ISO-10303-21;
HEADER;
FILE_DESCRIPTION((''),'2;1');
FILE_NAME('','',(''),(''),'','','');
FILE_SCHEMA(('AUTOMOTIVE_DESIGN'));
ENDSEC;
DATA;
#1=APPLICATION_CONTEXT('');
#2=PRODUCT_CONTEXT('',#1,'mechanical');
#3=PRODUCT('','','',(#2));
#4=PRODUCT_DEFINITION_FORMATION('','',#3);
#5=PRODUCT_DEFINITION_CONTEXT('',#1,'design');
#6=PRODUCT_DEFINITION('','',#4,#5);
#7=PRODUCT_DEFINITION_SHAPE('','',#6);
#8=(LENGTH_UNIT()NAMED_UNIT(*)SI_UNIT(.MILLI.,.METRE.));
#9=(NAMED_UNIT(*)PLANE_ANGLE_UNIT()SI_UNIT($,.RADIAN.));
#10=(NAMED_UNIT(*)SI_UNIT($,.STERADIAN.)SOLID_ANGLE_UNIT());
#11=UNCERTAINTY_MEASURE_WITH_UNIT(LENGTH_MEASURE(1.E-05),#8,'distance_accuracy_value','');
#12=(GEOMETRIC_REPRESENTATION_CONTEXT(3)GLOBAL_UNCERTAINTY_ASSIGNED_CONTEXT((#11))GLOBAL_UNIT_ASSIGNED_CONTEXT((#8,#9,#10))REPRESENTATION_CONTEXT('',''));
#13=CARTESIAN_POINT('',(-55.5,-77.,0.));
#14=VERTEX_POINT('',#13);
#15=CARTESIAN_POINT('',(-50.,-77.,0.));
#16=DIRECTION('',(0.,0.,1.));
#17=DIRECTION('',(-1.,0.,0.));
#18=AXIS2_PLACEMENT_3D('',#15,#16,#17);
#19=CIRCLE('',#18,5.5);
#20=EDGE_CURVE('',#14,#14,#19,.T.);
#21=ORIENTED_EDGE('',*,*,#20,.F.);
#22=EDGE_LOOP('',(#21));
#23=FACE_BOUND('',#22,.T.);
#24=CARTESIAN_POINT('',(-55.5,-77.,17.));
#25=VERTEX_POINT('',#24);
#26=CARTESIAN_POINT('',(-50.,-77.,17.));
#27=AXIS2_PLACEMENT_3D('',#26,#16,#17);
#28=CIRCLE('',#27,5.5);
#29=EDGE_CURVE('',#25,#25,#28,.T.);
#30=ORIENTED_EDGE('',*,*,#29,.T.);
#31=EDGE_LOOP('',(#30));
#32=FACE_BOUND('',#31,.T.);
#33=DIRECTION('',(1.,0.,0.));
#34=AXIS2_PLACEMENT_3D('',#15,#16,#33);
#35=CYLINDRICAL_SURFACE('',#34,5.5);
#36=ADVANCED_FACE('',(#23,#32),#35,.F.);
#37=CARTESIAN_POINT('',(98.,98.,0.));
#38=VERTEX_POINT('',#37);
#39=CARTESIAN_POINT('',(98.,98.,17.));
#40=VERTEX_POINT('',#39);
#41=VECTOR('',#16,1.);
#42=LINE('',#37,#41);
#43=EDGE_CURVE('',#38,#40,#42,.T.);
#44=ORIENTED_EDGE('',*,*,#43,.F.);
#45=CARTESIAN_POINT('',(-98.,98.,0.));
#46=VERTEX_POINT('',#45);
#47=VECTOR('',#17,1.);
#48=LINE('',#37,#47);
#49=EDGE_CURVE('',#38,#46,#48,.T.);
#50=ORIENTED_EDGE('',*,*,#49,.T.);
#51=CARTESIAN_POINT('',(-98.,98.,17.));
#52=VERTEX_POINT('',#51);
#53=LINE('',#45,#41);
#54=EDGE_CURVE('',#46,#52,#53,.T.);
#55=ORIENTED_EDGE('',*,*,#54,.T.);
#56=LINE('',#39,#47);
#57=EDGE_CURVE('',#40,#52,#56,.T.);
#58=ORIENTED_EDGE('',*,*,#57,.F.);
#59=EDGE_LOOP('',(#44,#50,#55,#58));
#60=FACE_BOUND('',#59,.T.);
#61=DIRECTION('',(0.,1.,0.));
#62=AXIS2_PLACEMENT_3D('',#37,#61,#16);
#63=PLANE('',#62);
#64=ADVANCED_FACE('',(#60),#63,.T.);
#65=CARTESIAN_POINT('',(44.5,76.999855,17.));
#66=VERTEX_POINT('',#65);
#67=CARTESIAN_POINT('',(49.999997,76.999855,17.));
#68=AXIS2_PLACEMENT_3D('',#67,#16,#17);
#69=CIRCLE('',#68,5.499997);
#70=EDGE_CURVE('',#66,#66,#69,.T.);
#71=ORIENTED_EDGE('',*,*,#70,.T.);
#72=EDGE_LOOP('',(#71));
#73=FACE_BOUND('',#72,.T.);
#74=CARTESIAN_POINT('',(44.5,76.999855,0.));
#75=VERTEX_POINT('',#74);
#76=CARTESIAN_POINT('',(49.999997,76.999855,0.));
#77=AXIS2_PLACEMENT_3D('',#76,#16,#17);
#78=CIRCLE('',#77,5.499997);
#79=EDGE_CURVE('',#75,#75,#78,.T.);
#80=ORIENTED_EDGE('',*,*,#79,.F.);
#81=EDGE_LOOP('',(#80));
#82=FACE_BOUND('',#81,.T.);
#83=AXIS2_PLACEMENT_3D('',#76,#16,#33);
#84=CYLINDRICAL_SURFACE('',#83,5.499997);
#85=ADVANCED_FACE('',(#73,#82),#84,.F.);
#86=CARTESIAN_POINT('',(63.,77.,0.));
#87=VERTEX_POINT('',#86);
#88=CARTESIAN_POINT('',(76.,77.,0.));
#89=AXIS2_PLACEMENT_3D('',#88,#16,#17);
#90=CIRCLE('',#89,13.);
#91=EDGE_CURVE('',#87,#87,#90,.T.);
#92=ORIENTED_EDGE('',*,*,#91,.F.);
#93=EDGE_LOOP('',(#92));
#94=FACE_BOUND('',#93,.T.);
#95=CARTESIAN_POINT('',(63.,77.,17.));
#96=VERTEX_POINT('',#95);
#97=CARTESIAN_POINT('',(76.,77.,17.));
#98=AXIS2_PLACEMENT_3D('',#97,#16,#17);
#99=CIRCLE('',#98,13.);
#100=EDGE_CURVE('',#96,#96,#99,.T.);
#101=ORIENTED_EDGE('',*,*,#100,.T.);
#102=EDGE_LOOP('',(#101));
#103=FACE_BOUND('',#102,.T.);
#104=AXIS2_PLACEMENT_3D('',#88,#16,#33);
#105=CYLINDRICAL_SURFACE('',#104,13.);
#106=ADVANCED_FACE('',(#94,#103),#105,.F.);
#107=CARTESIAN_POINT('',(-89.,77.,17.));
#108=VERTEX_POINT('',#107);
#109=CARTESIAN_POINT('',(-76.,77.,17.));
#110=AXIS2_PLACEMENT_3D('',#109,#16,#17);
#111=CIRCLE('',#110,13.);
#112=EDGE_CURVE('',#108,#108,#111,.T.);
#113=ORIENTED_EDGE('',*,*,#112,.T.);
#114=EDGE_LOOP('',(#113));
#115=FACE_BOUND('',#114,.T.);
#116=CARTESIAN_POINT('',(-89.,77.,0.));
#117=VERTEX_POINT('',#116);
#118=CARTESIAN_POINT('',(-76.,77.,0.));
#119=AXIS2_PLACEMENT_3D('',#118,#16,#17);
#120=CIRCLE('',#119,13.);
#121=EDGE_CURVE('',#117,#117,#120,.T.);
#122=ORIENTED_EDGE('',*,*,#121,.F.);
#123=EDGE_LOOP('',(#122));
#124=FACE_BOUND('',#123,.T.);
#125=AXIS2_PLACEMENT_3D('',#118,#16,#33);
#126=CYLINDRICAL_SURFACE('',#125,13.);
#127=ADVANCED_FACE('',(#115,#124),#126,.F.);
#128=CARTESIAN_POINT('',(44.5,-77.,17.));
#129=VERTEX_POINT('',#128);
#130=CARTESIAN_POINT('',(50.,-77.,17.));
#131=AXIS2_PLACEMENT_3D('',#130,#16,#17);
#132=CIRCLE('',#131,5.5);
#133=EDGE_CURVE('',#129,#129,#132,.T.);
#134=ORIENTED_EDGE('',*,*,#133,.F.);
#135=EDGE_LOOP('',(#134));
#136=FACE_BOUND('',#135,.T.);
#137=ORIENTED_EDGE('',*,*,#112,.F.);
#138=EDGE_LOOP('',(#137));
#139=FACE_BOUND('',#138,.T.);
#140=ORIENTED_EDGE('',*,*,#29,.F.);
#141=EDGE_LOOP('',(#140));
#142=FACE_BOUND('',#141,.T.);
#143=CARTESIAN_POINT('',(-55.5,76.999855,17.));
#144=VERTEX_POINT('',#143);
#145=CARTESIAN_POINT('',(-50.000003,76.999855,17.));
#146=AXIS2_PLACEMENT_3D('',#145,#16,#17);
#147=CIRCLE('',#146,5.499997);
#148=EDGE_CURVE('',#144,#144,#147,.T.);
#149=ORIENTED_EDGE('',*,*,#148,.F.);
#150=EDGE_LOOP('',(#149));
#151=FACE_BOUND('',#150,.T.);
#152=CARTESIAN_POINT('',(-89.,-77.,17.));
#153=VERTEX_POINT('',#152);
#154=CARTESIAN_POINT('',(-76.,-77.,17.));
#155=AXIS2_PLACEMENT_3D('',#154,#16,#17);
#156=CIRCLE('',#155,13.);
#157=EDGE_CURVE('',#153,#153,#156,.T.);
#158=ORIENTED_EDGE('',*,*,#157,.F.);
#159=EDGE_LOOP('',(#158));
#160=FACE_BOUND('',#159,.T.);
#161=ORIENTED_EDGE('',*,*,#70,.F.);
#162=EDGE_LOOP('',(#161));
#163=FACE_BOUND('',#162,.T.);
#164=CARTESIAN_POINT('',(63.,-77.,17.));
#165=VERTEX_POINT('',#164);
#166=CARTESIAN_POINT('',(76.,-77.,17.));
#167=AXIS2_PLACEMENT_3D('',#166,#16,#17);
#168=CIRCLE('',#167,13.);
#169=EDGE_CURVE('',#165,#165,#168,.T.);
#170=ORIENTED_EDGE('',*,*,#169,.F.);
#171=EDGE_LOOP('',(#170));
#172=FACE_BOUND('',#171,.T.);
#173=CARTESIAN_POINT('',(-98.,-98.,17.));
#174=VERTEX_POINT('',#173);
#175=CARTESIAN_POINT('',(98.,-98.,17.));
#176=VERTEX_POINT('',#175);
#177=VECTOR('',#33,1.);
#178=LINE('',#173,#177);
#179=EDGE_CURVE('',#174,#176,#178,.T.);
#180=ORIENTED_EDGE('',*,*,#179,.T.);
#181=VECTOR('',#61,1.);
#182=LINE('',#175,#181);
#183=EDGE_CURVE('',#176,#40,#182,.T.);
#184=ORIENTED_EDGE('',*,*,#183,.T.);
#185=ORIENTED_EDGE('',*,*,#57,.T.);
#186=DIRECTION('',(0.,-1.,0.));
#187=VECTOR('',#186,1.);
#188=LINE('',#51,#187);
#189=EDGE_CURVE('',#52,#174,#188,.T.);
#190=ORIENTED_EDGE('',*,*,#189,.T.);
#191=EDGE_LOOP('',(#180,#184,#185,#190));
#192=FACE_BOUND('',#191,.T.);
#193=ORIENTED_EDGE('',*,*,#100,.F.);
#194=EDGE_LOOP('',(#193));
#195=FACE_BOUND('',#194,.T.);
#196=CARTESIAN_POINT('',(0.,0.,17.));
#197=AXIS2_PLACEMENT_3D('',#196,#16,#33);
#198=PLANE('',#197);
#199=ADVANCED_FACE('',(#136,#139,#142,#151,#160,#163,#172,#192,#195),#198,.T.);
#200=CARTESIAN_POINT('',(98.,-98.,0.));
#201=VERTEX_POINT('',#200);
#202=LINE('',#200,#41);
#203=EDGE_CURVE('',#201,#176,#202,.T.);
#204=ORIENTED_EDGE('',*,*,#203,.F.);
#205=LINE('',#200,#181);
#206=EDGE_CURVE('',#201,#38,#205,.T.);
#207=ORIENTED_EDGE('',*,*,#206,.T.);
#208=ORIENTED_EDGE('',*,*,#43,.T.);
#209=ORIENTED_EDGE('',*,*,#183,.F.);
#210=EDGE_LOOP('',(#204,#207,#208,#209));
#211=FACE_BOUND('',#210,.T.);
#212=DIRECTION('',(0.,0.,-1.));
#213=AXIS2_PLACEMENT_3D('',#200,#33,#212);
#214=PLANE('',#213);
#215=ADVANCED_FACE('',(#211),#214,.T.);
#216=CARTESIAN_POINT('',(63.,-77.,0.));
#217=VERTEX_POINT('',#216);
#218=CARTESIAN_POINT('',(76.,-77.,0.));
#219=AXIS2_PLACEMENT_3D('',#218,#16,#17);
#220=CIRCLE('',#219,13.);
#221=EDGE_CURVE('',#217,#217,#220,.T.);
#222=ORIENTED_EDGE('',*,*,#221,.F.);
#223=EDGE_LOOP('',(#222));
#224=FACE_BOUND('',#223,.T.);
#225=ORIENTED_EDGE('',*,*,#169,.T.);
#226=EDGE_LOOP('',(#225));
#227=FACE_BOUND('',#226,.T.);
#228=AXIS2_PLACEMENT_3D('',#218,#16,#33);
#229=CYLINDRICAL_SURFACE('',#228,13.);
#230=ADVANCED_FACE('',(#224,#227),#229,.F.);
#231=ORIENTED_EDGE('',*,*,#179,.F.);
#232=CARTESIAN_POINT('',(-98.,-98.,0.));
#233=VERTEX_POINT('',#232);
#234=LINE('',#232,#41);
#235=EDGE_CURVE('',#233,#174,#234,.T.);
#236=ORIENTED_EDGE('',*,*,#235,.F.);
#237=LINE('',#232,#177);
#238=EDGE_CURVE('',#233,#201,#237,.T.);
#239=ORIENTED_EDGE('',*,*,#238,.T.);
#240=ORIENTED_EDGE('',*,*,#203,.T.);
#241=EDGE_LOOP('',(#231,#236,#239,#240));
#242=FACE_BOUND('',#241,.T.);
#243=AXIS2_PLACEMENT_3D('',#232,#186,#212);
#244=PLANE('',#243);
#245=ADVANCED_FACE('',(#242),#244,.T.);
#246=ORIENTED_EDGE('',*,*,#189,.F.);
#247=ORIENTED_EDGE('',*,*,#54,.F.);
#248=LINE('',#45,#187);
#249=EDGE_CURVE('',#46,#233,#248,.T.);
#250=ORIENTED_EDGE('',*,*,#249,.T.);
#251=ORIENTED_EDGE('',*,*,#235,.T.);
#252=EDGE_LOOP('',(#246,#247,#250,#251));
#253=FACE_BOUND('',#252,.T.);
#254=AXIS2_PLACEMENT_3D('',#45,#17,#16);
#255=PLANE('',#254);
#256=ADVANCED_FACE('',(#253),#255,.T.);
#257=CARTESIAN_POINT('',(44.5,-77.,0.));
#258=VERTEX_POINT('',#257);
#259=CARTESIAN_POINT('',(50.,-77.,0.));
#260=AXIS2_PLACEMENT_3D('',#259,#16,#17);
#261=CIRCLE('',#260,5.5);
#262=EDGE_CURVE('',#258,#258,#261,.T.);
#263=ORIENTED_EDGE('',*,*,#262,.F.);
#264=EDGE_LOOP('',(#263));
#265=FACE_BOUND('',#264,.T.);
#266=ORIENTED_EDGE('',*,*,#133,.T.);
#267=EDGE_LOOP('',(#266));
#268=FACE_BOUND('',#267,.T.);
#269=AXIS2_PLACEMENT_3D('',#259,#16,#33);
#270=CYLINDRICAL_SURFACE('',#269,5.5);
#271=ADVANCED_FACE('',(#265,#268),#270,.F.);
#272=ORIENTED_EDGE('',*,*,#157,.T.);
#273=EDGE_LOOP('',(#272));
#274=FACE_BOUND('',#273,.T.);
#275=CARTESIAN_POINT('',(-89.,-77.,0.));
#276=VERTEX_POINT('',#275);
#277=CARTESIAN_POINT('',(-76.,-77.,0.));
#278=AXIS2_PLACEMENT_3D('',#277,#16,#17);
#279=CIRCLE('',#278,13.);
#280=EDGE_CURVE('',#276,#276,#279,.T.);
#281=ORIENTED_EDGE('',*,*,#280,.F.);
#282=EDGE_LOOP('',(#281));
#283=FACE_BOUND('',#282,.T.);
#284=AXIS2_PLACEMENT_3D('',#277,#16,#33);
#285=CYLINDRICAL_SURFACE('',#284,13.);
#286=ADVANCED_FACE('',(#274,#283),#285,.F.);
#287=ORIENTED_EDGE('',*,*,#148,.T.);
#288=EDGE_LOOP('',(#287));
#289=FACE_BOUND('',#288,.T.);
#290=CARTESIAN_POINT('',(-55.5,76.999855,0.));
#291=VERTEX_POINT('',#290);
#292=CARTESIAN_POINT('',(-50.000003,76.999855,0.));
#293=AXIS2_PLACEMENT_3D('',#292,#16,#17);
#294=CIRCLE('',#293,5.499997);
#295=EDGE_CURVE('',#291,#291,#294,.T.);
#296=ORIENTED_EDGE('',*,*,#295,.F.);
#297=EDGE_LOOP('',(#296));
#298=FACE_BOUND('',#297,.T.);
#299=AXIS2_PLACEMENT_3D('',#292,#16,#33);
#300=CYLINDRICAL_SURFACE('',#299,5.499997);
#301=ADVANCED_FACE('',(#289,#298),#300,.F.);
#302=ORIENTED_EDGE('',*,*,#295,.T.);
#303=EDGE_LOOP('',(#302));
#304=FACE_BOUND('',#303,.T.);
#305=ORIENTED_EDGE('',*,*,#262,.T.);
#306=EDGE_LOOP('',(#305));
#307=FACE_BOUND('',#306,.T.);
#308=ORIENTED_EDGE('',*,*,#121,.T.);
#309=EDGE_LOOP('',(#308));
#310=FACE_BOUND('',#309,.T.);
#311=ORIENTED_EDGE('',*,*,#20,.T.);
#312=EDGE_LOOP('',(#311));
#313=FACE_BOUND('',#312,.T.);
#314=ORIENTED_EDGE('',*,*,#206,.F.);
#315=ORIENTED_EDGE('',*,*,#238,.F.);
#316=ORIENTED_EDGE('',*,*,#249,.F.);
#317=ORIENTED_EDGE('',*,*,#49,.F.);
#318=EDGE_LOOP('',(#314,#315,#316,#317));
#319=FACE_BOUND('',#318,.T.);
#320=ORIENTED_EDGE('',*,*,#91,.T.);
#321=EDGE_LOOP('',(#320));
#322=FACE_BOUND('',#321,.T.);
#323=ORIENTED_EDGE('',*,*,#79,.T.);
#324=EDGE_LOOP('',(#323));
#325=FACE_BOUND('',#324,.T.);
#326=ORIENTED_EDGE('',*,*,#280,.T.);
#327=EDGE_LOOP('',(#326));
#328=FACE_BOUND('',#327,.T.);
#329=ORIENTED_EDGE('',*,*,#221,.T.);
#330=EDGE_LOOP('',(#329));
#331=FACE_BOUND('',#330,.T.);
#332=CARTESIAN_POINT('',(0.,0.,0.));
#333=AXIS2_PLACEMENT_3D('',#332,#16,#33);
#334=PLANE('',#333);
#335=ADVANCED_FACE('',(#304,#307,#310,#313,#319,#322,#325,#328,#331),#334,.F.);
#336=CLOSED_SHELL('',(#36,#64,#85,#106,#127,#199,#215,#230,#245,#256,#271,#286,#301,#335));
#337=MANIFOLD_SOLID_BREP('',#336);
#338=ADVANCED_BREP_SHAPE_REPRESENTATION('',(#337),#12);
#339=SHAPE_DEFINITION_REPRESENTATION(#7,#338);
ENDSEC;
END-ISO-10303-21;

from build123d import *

# Parameters (mm, degrees)
SKETCH_1_W      = 196
SKETCH_1_H      = 196
SKETCH_1_R      = 5.5
SKETCH_1_R_2    = 5.499997081
SKETCH_1_R_3    = 13
EXTRUDE_1_DEPTH = 17


with BuildPart() as part:
    # Эскиз1 → Бобышка-Вытянуть1 (new body)
    with BuildSketch(Plane.XY.offset(17)):
        Rectangle(SKETCH_1_W, SKETCH_1_H)
        with Locations(Location((-50, -77, 0), (0, 0, 180))):
            Circle(SKETCH_1_R, mode=Mode.SUBTRACT)
        with Locations(Location((-50.000002921, 76.99985459, 0), (0, 0, 180))):
            Circle(SKETCH_1_R_2, mode=Mode.SUBTRACT)
        with Locations(Location((50, -77, 0), (0, 0, 180))):
            Circle(SKETCH_1_R, mode=Mode.SUBTRACT)
        with Locations(Location((49.999997079, 76.99985459, 0), (0, 0, 180))):
            Circle(SKETCH_1_R_2, mode=Mode.SUBTRACT)
        with Locations(Location((-76, 77, 0), (0, 0, 180))):
            Circle(SKETCH_1_R_3, mode=Mode.SUBTRACT)
        with Locations(Location((-76, -77, 0), (0, 0, 180))):
            Circle(SKETCH_1_R_3, mode=Mode.SUBTRACT)
        with Locations(Location((76, -77, 0), (0, 0, 180))):
            Circle(SKETCH_1_R_3, mode=Mode.SUBTRACT)
        with Locations(Location((76, 77, 0), (0, 0, 180))):
            Circle(SKETCH_1_R_3, mode=Mode.SUBTRACT)
    extrude(amount=-EXTRUDE_1_DEPTH)


solid = part.part
